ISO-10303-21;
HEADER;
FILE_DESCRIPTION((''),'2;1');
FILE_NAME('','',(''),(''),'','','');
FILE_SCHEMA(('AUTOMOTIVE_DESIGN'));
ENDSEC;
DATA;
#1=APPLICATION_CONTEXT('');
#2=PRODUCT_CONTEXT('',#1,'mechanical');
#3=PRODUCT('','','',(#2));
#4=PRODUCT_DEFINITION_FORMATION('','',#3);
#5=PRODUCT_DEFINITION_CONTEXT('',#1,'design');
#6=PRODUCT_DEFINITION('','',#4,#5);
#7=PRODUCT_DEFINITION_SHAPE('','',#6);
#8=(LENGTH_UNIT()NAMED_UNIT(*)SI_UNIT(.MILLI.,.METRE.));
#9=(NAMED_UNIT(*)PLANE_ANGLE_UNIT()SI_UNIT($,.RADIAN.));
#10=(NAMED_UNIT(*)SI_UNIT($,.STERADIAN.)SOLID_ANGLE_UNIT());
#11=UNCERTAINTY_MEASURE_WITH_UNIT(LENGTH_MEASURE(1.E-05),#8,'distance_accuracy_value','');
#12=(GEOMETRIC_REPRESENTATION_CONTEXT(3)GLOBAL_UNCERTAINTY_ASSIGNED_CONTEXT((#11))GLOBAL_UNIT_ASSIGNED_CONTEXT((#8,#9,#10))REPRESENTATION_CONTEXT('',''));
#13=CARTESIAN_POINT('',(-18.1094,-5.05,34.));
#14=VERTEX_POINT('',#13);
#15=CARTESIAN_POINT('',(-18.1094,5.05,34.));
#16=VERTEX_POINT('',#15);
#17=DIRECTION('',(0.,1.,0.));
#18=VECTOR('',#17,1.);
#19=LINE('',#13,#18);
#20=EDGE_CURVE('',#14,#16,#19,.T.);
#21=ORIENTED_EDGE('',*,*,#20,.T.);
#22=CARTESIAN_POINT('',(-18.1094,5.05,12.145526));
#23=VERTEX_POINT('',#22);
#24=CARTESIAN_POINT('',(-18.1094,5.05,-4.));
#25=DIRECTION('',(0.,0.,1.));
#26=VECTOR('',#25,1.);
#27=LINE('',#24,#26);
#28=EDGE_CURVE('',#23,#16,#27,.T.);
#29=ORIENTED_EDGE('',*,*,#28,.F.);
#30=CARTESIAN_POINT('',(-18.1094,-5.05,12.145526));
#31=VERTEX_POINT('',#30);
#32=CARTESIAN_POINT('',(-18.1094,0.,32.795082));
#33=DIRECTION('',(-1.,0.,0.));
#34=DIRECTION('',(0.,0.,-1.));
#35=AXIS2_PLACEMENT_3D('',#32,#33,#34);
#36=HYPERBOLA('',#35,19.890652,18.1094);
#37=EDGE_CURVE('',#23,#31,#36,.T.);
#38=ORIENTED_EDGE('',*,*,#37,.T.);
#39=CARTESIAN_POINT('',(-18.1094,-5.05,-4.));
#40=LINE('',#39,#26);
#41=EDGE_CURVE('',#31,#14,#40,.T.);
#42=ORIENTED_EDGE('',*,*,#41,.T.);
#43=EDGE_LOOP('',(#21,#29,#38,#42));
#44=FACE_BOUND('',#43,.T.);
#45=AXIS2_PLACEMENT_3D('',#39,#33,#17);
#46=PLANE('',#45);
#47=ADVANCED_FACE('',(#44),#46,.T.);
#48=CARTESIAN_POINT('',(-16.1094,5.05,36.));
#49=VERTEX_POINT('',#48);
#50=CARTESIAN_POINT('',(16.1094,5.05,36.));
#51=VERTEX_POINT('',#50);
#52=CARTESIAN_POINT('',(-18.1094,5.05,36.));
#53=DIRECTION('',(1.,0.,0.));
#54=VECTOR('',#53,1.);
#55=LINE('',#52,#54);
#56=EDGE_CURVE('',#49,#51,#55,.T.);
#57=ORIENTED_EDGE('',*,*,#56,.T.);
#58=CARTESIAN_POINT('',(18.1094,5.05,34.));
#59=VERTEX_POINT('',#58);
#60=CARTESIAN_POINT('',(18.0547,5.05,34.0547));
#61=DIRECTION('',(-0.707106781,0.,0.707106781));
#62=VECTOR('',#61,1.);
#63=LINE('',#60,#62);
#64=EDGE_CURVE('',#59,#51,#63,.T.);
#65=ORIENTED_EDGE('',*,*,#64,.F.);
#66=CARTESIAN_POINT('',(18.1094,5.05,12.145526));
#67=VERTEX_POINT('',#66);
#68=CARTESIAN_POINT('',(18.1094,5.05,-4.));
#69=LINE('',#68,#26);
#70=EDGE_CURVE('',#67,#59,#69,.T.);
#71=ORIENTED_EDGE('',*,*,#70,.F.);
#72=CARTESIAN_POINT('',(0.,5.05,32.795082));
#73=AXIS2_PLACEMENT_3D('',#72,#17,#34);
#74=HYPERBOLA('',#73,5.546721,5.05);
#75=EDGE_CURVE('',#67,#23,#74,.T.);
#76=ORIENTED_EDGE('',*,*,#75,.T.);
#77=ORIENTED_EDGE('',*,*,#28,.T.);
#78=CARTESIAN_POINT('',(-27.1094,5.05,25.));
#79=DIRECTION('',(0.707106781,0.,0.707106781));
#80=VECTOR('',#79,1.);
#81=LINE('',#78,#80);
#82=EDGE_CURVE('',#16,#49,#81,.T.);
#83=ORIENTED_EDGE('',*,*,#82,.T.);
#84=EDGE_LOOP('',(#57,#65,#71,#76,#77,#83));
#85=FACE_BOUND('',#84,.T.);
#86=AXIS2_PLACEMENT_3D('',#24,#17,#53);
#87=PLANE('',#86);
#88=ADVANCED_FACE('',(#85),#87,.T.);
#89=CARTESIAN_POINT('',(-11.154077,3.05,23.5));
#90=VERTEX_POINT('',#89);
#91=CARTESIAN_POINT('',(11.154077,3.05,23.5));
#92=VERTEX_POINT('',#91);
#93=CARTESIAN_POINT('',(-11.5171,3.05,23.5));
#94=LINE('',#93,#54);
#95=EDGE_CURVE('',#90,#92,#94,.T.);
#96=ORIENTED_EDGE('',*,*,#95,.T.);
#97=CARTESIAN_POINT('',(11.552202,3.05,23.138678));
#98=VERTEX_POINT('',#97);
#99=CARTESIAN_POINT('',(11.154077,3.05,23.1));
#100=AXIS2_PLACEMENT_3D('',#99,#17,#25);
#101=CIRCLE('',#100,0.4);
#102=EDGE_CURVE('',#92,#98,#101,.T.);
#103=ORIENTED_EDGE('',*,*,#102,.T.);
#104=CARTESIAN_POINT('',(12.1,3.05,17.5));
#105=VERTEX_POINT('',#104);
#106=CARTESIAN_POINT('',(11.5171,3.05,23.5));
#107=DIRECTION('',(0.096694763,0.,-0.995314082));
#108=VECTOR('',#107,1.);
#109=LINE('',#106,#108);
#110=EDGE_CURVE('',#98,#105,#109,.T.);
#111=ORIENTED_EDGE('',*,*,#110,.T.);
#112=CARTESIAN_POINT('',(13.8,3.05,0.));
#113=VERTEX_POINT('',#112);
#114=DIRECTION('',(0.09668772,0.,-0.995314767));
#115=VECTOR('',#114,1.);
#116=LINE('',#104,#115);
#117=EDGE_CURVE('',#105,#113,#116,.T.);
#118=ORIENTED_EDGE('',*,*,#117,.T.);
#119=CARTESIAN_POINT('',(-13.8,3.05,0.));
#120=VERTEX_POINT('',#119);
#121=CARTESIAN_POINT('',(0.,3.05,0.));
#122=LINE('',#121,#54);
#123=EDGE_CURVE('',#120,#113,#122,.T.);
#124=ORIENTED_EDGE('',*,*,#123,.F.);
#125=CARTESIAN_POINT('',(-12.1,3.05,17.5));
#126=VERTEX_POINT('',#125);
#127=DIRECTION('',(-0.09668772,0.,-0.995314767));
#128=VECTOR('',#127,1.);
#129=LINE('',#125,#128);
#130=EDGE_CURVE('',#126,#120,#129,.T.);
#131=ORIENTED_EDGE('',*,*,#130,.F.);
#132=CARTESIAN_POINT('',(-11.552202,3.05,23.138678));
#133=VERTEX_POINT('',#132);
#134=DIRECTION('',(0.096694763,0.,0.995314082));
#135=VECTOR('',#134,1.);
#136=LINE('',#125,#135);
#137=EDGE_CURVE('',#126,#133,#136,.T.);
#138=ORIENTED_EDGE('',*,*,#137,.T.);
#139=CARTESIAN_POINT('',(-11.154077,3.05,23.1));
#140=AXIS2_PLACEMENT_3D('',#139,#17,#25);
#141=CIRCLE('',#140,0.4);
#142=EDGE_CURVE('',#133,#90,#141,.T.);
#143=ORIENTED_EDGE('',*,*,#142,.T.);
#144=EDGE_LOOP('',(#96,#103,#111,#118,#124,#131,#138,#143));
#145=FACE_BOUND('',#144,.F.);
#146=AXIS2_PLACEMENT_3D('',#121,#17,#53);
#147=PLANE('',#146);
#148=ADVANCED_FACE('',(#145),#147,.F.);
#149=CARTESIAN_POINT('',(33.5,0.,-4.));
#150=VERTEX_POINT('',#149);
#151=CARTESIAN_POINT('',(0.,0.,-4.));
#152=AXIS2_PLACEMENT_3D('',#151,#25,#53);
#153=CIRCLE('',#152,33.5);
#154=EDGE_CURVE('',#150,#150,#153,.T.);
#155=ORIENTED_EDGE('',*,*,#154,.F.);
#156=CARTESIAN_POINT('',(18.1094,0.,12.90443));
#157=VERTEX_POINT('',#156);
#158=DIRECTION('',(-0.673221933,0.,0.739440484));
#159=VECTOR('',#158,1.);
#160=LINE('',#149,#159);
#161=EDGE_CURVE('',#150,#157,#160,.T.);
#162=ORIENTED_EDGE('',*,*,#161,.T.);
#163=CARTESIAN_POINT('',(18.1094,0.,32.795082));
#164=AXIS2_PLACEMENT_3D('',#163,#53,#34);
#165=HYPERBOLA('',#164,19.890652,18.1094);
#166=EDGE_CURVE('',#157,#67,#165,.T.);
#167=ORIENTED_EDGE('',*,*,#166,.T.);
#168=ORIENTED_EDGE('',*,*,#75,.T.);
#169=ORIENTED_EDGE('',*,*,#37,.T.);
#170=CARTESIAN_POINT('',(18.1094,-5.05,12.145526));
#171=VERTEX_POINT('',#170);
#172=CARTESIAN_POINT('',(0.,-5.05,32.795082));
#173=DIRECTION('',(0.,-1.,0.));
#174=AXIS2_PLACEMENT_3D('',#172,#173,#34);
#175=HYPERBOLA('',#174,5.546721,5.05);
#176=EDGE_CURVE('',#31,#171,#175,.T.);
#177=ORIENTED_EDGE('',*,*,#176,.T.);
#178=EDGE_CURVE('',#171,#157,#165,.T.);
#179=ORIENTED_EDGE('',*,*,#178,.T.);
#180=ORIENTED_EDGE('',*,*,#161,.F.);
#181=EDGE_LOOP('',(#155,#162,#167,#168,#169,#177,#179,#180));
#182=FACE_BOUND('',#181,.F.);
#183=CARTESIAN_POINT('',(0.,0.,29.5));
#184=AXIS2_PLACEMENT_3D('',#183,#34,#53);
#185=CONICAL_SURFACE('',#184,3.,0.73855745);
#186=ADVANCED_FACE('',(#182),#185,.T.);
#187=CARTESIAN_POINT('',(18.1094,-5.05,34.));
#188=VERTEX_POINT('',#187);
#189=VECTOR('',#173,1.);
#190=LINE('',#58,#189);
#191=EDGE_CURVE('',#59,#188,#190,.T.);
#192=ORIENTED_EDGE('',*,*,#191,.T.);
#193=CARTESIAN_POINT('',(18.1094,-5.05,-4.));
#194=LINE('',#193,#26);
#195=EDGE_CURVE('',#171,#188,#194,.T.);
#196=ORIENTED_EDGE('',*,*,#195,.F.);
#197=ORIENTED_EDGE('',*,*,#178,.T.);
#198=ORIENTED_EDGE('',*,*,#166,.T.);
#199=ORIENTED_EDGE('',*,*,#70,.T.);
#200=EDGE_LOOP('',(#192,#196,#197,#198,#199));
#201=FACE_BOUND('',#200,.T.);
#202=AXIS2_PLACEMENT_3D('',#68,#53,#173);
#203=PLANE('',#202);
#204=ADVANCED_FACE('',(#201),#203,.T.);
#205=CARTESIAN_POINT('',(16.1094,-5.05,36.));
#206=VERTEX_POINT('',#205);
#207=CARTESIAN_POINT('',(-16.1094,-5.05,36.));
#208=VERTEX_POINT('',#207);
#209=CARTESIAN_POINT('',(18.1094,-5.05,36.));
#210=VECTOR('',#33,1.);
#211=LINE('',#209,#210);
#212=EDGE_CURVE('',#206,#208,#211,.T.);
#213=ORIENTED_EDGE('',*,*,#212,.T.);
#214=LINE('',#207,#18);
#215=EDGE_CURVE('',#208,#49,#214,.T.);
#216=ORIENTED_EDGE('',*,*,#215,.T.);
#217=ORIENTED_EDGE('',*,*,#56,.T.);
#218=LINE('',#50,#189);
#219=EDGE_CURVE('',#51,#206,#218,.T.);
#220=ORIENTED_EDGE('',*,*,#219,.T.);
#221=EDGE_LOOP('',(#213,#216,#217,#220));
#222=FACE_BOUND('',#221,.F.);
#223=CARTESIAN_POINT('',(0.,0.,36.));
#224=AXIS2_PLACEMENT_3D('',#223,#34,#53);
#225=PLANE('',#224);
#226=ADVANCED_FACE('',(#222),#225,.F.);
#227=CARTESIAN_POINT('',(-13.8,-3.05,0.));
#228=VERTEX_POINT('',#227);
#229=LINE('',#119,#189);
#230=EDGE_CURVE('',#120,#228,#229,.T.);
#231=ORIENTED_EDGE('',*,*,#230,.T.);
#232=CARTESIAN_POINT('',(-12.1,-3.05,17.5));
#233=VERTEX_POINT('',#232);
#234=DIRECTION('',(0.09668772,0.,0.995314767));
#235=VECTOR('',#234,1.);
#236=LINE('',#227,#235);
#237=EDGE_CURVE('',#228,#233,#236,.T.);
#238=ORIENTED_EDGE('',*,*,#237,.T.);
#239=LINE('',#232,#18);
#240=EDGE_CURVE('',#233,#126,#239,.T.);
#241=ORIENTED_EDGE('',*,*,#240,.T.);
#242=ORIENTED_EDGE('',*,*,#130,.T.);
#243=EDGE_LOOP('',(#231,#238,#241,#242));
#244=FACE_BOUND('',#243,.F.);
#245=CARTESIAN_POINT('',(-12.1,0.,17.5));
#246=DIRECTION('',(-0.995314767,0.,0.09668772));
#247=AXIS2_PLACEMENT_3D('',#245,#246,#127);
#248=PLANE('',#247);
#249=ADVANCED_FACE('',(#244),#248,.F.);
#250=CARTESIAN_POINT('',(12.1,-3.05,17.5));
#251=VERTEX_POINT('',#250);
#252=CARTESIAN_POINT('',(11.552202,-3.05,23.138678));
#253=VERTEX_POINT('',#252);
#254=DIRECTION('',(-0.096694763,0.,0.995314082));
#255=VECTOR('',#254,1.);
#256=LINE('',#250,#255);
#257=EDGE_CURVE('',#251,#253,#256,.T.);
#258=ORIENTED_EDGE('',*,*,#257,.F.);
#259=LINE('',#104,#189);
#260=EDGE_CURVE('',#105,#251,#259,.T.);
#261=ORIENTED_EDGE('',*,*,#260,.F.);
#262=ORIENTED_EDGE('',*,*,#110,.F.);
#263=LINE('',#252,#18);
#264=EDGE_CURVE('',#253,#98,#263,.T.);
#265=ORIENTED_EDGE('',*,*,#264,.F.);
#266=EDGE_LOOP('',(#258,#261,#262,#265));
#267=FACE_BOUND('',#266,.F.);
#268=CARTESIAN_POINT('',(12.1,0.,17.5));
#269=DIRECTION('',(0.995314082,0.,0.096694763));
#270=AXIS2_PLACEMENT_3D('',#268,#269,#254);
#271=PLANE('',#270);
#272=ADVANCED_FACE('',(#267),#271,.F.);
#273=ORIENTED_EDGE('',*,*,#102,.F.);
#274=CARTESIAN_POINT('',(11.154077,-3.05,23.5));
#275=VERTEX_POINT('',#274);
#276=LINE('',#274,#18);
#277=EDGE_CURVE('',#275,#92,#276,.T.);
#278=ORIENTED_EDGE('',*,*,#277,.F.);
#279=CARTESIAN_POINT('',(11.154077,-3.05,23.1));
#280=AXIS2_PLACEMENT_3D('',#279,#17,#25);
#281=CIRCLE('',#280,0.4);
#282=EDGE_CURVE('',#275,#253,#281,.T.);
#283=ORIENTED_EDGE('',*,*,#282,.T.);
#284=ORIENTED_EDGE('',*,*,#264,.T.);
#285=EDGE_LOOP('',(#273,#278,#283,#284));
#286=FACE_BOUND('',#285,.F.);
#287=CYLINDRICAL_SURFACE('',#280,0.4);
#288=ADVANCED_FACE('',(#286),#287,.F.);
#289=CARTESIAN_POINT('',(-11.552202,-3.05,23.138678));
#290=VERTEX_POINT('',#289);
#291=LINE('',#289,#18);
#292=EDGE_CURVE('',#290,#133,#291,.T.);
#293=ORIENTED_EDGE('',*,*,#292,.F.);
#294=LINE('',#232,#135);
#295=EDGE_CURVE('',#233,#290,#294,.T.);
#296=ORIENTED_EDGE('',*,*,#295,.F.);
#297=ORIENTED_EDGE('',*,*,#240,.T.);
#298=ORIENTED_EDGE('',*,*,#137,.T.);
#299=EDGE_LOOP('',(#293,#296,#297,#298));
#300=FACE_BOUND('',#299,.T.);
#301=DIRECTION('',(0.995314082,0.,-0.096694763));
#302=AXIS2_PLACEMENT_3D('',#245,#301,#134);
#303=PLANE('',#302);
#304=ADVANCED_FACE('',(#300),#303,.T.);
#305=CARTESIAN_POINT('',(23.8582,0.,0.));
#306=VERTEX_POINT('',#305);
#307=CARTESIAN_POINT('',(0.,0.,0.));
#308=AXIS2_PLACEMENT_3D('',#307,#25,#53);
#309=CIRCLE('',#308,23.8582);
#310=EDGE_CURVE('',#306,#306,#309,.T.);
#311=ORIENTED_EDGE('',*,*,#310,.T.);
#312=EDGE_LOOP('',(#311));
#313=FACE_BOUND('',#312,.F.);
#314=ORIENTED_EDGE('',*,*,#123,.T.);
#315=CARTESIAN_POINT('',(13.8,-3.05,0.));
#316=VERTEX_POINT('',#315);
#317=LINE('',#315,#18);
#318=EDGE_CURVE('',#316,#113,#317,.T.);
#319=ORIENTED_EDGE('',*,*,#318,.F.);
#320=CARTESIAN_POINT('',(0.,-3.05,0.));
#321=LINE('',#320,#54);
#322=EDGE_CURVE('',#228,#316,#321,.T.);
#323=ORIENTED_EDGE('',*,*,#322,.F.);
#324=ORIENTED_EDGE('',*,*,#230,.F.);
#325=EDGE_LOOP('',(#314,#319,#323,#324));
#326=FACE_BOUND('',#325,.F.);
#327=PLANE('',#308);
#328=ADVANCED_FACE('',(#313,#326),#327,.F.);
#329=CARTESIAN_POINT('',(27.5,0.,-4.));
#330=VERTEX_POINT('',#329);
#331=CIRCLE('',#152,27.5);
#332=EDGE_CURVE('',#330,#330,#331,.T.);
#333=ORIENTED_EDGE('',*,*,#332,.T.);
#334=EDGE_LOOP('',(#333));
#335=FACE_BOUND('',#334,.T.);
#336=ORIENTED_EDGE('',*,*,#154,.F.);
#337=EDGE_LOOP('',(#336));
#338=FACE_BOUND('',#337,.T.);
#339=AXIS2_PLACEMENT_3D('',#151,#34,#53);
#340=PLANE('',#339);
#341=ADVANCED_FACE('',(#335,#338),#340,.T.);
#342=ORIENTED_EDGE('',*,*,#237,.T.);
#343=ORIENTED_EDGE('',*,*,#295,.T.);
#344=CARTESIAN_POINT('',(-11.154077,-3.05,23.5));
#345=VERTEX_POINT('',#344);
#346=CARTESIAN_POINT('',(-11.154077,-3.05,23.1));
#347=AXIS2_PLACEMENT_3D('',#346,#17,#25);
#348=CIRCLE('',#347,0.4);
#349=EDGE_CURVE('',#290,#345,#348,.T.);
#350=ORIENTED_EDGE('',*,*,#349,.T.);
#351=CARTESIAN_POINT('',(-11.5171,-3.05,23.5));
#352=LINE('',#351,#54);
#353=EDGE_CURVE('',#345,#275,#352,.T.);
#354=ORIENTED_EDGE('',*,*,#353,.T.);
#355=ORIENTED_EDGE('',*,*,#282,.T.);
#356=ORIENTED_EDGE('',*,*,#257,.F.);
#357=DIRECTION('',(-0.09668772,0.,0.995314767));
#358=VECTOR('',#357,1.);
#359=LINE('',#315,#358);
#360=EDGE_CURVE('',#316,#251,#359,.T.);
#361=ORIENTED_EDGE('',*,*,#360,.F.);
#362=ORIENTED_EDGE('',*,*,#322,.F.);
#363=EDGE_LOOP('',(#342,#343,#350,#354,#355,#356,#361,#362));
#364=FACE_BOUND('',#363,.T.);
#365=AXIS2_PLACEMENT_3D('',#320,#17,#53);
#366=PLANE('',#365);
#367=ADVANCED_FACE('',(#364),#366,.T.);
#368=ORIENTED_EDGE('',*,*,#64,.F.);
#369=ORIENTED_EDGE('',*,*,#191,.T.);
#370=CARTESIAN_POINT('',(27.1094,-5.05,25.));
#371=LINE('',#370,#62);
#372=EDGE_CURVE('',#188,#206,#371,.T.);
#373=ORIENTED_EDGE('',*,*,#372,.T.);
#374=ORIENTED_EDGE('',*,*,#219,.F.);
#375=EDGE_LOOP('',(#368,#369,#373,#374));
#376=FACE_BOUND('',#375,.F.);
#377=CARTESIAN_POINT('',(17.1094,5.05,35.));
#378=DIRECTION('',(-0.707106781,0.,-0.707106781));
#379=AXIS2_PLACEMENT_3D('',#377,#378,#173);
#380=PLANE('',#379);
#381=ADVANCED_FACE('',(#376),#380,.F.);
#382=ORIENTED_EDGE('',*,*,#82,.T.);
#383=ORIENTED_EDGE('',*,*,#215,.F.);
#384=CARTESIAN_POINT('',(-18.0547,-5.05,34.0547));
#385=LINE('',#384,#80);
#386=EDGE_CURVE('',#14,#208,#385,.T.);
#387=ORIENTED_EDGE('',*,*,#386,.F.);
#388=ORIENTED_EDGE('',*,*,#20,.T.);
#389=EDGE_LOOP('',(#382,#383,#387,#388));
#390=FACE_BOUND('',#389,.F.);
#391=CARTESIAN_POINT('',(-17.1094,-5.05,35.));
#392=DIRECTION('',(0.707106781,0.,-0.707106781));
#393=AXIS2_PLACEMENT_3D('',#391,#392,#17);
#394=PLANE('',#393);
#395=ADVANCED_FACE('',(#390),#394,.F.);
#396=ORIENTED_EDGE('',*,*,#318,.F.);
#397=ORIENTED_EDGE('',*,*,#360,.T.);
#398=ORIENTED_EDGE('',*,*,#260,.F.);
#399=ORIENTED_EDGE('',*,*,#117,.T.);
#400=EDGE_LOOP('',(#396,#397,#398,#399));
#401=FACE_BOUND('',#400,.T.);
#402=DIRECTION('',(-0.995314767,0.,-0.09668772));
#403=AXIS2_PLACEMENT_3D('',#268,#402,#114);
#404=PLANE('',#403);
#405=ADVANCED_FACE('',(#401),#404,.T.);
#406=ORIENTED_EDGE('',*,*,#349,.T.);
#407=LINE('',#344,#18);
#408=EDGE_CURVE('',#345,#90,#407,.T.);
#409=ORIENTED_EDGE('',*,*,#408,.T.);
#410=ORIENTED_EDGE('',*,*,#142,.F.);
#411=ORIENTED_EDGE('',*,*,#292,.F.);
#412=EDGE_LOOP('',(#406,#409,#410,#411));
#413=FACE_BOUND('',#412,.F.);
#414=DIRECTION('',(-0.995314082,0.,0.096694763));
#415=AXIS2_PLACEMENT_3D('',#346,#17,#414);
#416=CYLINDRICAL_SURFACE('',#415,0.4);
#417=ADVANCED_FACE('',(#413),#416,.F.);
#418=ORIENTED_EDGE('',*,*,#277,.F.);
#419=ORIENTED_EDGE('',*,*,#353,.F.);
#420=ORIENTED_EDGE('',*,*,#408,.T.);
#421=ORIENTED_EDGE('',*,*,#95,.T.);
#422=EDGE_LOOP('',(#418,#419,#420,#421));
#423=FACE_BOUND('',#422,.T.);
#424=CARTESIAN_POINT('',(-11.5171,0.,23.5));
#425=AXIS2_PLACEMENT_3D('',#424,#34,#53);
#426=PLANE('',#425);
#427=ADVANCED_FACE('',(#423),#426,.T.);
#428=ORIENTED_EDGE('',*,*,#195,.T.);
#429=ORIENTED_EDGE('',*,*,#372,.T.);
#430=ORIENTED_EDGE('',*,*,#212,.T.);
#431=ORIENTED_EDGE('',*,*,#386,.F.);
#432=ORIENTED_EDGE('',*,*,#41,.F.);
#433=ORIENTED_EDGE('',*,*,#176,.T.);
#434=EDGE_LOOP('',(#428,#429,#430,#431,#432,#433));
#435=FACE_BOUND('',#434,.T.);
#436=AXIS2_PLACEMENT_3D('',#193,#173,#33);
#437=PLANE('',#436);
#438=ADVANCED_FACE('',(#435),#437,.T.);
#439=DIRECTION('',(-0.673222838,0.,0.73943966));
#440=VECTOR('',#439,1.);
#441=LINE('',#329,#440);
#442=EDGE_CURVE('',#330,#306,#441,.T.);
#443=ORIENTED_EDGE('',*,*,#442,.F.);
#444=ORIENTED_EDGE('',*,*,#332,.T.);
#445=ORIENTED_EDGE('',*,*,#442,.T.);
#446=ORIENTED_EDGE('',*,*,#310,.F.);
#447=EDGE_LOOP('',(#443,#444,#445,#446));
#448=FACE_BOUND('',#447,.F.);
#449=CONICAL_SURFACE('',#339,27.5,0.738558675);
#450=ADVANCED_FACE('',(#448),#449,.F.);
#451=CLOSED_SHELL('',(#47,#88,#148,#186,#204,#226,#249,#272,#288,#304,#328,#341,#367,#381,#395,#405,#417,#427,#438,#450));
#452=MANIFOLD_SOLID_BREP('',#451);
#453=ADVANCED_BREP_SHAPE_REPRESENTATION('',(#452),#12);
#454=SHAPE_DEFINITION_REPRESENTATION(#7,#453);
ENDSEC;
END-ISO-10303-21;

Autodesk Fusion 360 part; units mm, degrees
sketch "Sketch1" plane through (0, 0, 0) normal (0, 1, 0) x (1, 0, 0)
  line L0 (-12.1, -17.5) -> (-13.8, 0)
  line L1 (-12.1, -17.5) -> (-11.5171, -23.5)
  line L2 (-13.8, 0) -> (0, 0)
  line L3 (0, 0) -> (0, -23.5) construction
  line L4 (-12.1, -17.5) -> (0, -17.5) construction
  line L5 (-11.5171, -23.5) -> (0, -23.5)
  line L6 (0, 0) -> (0, -23.5) construction
  line L7 (13.8, 0) -> (0, 0)
  line L8 (12.1, -17.5) -> (13.8, 0)
  line L9 (11.5171, -23.5) -> (0, -23.5)
  line L10 (12.1, -17.5) -> (11.5171, -23.5)
  line L11 (0, -29.5) -> (33.5, 4) construction
  line L12 (33.5, 4) -> (33.5, 7.6922)
  line L13 (0, -29.5) -> (14.1, -29.5)
  line L14 (14.1, -29.5) -> (14.1, -15.4)
  line L15 (0, -29.5) -> (-14.1, -29.5)
  line L16 (-14.1, -29.5) -> (-14.1, -15.4)
  line L17 (14.1, -15.4) -> (-14.1, -15.4)
  line L18 (33.5, 4) -> (28.0093, 4)
  line L19 (28.0093, 4) -> (0, 4)
  line L20 (0, 4) -> (0, -29.5)
  line L21 (3, -29.5) -> (33.5, 4)
  line L22 (13.8, 0) -> (16.1094, 4)
  line L23 (-13.8, 0) -> (-16.1094, 4)
  line L24 (-28.0093, 4) -> (0, 4)
  dimension "d1" = 17.5
  dimension "d4" = 6
  dimension "d7" = 27.6
  dimension "d8" = 24.2
  dimension "d13" = 135
  dimension "d14" = 2
  dimension "d15" = 6
  dimension "d16" = 4
  dimension "d22" = 3
  dimension "d26" = 60
extrude "Extrude1" add sketch "Sketch1" along normal mid plane 6.1 contours L0 L1 L5 L17 L20 | L0 L2 L17 L20 | L2 L20 L23 L24 | L7 L8 L17 L20 | L8 L9 L10 L17 L20 L21 | L7 L19 L20 L22 | L9 L10 L21 makes body 1
fillet "Fillet1" radius 0.4 2 edges at (11.5171, 0, 23.5) (-11.5171, 0, 23.5) on bodies 1
revolve "Revolve1" add sketch "Sketch1" angle 360 about axis through (0, 0, -4) along (0, 0, 1) separate body contours L7 L8 L17 L20 | L8 L9 L10 L17 L20 L21 | L9 L13 L20 L21 | L7 L19 L20 L22 | L8 L10 L14 L17 L21 | L8 L14 L17 L18 L19 L21 L22 makes body 2
sketch "Sketch3" plane through (0, 0, -4) normal (0, 0, -1) x (1, 0, 0)
  circle A0 centre (0, 0) radius 33.5
  line L0 (-16.1094, 3.05) -> (-16.1094, -3.05) construction
  line L1 (-16.1094, -3.05) -> (16.1094, -3.05) construction
  line L2 (16.1094, -3.05) -> (16.1094, 3.05) construction
  line L3 (16.1094, 3.05) -> (-16.1094, 3.05) construction
  line L4 (18.1094, 5.05) -> (-18.1094, 5.05)
  line L5 (-18.1094, 5.05) -> (-18.1094, -5.05)
  line L6 (-18.1094, -5.05) -> (18.1094, -5.05)
  line L7 (18.1094, -5.05) -> (18.1094, 5.05)
  dimension "d27" = 2
extrude "Extrude3" add sketch "Sketch3" against normal blind 40 contours L4 L5 L6 L7 bodies 2
combine "Combine1" operation cut target body 2 tool bodies 1
chamfer "Chamfer1" distance 2 angle 45 2 edges at (18.1094, 0, 36) (-18.1094, 0, 36) on bodies 2
sketch "Sketch4" plane through (0, 0, 0) normal (0, 1, 0) x (1, 0, 0)
  line L0 (18.1094, -12.9044) -> (33.5, 4)
  line L1 (-33.5, 4) -> (-18.1094, -12.9044)
  line L2 (33.5, 4) -> (27.5, 4)
  line L3 (27.5, 4) -> (23.8582, 0)
  line L4 (23.8582, 0) -> (0, 0)
  line L5 (0, 0) -> (0, 4)
  line L6 (0, 4) -> (27.5, 4)
  point P0 (-33.5, 4)
  point P1 (33.5, 4)
  dimension "d29" = 6
revolve "Revolve2" cut sketch "Sketch4" angle 360 about axis through (0, 0, 1.75) along (0, 0, 1) bodies 2
